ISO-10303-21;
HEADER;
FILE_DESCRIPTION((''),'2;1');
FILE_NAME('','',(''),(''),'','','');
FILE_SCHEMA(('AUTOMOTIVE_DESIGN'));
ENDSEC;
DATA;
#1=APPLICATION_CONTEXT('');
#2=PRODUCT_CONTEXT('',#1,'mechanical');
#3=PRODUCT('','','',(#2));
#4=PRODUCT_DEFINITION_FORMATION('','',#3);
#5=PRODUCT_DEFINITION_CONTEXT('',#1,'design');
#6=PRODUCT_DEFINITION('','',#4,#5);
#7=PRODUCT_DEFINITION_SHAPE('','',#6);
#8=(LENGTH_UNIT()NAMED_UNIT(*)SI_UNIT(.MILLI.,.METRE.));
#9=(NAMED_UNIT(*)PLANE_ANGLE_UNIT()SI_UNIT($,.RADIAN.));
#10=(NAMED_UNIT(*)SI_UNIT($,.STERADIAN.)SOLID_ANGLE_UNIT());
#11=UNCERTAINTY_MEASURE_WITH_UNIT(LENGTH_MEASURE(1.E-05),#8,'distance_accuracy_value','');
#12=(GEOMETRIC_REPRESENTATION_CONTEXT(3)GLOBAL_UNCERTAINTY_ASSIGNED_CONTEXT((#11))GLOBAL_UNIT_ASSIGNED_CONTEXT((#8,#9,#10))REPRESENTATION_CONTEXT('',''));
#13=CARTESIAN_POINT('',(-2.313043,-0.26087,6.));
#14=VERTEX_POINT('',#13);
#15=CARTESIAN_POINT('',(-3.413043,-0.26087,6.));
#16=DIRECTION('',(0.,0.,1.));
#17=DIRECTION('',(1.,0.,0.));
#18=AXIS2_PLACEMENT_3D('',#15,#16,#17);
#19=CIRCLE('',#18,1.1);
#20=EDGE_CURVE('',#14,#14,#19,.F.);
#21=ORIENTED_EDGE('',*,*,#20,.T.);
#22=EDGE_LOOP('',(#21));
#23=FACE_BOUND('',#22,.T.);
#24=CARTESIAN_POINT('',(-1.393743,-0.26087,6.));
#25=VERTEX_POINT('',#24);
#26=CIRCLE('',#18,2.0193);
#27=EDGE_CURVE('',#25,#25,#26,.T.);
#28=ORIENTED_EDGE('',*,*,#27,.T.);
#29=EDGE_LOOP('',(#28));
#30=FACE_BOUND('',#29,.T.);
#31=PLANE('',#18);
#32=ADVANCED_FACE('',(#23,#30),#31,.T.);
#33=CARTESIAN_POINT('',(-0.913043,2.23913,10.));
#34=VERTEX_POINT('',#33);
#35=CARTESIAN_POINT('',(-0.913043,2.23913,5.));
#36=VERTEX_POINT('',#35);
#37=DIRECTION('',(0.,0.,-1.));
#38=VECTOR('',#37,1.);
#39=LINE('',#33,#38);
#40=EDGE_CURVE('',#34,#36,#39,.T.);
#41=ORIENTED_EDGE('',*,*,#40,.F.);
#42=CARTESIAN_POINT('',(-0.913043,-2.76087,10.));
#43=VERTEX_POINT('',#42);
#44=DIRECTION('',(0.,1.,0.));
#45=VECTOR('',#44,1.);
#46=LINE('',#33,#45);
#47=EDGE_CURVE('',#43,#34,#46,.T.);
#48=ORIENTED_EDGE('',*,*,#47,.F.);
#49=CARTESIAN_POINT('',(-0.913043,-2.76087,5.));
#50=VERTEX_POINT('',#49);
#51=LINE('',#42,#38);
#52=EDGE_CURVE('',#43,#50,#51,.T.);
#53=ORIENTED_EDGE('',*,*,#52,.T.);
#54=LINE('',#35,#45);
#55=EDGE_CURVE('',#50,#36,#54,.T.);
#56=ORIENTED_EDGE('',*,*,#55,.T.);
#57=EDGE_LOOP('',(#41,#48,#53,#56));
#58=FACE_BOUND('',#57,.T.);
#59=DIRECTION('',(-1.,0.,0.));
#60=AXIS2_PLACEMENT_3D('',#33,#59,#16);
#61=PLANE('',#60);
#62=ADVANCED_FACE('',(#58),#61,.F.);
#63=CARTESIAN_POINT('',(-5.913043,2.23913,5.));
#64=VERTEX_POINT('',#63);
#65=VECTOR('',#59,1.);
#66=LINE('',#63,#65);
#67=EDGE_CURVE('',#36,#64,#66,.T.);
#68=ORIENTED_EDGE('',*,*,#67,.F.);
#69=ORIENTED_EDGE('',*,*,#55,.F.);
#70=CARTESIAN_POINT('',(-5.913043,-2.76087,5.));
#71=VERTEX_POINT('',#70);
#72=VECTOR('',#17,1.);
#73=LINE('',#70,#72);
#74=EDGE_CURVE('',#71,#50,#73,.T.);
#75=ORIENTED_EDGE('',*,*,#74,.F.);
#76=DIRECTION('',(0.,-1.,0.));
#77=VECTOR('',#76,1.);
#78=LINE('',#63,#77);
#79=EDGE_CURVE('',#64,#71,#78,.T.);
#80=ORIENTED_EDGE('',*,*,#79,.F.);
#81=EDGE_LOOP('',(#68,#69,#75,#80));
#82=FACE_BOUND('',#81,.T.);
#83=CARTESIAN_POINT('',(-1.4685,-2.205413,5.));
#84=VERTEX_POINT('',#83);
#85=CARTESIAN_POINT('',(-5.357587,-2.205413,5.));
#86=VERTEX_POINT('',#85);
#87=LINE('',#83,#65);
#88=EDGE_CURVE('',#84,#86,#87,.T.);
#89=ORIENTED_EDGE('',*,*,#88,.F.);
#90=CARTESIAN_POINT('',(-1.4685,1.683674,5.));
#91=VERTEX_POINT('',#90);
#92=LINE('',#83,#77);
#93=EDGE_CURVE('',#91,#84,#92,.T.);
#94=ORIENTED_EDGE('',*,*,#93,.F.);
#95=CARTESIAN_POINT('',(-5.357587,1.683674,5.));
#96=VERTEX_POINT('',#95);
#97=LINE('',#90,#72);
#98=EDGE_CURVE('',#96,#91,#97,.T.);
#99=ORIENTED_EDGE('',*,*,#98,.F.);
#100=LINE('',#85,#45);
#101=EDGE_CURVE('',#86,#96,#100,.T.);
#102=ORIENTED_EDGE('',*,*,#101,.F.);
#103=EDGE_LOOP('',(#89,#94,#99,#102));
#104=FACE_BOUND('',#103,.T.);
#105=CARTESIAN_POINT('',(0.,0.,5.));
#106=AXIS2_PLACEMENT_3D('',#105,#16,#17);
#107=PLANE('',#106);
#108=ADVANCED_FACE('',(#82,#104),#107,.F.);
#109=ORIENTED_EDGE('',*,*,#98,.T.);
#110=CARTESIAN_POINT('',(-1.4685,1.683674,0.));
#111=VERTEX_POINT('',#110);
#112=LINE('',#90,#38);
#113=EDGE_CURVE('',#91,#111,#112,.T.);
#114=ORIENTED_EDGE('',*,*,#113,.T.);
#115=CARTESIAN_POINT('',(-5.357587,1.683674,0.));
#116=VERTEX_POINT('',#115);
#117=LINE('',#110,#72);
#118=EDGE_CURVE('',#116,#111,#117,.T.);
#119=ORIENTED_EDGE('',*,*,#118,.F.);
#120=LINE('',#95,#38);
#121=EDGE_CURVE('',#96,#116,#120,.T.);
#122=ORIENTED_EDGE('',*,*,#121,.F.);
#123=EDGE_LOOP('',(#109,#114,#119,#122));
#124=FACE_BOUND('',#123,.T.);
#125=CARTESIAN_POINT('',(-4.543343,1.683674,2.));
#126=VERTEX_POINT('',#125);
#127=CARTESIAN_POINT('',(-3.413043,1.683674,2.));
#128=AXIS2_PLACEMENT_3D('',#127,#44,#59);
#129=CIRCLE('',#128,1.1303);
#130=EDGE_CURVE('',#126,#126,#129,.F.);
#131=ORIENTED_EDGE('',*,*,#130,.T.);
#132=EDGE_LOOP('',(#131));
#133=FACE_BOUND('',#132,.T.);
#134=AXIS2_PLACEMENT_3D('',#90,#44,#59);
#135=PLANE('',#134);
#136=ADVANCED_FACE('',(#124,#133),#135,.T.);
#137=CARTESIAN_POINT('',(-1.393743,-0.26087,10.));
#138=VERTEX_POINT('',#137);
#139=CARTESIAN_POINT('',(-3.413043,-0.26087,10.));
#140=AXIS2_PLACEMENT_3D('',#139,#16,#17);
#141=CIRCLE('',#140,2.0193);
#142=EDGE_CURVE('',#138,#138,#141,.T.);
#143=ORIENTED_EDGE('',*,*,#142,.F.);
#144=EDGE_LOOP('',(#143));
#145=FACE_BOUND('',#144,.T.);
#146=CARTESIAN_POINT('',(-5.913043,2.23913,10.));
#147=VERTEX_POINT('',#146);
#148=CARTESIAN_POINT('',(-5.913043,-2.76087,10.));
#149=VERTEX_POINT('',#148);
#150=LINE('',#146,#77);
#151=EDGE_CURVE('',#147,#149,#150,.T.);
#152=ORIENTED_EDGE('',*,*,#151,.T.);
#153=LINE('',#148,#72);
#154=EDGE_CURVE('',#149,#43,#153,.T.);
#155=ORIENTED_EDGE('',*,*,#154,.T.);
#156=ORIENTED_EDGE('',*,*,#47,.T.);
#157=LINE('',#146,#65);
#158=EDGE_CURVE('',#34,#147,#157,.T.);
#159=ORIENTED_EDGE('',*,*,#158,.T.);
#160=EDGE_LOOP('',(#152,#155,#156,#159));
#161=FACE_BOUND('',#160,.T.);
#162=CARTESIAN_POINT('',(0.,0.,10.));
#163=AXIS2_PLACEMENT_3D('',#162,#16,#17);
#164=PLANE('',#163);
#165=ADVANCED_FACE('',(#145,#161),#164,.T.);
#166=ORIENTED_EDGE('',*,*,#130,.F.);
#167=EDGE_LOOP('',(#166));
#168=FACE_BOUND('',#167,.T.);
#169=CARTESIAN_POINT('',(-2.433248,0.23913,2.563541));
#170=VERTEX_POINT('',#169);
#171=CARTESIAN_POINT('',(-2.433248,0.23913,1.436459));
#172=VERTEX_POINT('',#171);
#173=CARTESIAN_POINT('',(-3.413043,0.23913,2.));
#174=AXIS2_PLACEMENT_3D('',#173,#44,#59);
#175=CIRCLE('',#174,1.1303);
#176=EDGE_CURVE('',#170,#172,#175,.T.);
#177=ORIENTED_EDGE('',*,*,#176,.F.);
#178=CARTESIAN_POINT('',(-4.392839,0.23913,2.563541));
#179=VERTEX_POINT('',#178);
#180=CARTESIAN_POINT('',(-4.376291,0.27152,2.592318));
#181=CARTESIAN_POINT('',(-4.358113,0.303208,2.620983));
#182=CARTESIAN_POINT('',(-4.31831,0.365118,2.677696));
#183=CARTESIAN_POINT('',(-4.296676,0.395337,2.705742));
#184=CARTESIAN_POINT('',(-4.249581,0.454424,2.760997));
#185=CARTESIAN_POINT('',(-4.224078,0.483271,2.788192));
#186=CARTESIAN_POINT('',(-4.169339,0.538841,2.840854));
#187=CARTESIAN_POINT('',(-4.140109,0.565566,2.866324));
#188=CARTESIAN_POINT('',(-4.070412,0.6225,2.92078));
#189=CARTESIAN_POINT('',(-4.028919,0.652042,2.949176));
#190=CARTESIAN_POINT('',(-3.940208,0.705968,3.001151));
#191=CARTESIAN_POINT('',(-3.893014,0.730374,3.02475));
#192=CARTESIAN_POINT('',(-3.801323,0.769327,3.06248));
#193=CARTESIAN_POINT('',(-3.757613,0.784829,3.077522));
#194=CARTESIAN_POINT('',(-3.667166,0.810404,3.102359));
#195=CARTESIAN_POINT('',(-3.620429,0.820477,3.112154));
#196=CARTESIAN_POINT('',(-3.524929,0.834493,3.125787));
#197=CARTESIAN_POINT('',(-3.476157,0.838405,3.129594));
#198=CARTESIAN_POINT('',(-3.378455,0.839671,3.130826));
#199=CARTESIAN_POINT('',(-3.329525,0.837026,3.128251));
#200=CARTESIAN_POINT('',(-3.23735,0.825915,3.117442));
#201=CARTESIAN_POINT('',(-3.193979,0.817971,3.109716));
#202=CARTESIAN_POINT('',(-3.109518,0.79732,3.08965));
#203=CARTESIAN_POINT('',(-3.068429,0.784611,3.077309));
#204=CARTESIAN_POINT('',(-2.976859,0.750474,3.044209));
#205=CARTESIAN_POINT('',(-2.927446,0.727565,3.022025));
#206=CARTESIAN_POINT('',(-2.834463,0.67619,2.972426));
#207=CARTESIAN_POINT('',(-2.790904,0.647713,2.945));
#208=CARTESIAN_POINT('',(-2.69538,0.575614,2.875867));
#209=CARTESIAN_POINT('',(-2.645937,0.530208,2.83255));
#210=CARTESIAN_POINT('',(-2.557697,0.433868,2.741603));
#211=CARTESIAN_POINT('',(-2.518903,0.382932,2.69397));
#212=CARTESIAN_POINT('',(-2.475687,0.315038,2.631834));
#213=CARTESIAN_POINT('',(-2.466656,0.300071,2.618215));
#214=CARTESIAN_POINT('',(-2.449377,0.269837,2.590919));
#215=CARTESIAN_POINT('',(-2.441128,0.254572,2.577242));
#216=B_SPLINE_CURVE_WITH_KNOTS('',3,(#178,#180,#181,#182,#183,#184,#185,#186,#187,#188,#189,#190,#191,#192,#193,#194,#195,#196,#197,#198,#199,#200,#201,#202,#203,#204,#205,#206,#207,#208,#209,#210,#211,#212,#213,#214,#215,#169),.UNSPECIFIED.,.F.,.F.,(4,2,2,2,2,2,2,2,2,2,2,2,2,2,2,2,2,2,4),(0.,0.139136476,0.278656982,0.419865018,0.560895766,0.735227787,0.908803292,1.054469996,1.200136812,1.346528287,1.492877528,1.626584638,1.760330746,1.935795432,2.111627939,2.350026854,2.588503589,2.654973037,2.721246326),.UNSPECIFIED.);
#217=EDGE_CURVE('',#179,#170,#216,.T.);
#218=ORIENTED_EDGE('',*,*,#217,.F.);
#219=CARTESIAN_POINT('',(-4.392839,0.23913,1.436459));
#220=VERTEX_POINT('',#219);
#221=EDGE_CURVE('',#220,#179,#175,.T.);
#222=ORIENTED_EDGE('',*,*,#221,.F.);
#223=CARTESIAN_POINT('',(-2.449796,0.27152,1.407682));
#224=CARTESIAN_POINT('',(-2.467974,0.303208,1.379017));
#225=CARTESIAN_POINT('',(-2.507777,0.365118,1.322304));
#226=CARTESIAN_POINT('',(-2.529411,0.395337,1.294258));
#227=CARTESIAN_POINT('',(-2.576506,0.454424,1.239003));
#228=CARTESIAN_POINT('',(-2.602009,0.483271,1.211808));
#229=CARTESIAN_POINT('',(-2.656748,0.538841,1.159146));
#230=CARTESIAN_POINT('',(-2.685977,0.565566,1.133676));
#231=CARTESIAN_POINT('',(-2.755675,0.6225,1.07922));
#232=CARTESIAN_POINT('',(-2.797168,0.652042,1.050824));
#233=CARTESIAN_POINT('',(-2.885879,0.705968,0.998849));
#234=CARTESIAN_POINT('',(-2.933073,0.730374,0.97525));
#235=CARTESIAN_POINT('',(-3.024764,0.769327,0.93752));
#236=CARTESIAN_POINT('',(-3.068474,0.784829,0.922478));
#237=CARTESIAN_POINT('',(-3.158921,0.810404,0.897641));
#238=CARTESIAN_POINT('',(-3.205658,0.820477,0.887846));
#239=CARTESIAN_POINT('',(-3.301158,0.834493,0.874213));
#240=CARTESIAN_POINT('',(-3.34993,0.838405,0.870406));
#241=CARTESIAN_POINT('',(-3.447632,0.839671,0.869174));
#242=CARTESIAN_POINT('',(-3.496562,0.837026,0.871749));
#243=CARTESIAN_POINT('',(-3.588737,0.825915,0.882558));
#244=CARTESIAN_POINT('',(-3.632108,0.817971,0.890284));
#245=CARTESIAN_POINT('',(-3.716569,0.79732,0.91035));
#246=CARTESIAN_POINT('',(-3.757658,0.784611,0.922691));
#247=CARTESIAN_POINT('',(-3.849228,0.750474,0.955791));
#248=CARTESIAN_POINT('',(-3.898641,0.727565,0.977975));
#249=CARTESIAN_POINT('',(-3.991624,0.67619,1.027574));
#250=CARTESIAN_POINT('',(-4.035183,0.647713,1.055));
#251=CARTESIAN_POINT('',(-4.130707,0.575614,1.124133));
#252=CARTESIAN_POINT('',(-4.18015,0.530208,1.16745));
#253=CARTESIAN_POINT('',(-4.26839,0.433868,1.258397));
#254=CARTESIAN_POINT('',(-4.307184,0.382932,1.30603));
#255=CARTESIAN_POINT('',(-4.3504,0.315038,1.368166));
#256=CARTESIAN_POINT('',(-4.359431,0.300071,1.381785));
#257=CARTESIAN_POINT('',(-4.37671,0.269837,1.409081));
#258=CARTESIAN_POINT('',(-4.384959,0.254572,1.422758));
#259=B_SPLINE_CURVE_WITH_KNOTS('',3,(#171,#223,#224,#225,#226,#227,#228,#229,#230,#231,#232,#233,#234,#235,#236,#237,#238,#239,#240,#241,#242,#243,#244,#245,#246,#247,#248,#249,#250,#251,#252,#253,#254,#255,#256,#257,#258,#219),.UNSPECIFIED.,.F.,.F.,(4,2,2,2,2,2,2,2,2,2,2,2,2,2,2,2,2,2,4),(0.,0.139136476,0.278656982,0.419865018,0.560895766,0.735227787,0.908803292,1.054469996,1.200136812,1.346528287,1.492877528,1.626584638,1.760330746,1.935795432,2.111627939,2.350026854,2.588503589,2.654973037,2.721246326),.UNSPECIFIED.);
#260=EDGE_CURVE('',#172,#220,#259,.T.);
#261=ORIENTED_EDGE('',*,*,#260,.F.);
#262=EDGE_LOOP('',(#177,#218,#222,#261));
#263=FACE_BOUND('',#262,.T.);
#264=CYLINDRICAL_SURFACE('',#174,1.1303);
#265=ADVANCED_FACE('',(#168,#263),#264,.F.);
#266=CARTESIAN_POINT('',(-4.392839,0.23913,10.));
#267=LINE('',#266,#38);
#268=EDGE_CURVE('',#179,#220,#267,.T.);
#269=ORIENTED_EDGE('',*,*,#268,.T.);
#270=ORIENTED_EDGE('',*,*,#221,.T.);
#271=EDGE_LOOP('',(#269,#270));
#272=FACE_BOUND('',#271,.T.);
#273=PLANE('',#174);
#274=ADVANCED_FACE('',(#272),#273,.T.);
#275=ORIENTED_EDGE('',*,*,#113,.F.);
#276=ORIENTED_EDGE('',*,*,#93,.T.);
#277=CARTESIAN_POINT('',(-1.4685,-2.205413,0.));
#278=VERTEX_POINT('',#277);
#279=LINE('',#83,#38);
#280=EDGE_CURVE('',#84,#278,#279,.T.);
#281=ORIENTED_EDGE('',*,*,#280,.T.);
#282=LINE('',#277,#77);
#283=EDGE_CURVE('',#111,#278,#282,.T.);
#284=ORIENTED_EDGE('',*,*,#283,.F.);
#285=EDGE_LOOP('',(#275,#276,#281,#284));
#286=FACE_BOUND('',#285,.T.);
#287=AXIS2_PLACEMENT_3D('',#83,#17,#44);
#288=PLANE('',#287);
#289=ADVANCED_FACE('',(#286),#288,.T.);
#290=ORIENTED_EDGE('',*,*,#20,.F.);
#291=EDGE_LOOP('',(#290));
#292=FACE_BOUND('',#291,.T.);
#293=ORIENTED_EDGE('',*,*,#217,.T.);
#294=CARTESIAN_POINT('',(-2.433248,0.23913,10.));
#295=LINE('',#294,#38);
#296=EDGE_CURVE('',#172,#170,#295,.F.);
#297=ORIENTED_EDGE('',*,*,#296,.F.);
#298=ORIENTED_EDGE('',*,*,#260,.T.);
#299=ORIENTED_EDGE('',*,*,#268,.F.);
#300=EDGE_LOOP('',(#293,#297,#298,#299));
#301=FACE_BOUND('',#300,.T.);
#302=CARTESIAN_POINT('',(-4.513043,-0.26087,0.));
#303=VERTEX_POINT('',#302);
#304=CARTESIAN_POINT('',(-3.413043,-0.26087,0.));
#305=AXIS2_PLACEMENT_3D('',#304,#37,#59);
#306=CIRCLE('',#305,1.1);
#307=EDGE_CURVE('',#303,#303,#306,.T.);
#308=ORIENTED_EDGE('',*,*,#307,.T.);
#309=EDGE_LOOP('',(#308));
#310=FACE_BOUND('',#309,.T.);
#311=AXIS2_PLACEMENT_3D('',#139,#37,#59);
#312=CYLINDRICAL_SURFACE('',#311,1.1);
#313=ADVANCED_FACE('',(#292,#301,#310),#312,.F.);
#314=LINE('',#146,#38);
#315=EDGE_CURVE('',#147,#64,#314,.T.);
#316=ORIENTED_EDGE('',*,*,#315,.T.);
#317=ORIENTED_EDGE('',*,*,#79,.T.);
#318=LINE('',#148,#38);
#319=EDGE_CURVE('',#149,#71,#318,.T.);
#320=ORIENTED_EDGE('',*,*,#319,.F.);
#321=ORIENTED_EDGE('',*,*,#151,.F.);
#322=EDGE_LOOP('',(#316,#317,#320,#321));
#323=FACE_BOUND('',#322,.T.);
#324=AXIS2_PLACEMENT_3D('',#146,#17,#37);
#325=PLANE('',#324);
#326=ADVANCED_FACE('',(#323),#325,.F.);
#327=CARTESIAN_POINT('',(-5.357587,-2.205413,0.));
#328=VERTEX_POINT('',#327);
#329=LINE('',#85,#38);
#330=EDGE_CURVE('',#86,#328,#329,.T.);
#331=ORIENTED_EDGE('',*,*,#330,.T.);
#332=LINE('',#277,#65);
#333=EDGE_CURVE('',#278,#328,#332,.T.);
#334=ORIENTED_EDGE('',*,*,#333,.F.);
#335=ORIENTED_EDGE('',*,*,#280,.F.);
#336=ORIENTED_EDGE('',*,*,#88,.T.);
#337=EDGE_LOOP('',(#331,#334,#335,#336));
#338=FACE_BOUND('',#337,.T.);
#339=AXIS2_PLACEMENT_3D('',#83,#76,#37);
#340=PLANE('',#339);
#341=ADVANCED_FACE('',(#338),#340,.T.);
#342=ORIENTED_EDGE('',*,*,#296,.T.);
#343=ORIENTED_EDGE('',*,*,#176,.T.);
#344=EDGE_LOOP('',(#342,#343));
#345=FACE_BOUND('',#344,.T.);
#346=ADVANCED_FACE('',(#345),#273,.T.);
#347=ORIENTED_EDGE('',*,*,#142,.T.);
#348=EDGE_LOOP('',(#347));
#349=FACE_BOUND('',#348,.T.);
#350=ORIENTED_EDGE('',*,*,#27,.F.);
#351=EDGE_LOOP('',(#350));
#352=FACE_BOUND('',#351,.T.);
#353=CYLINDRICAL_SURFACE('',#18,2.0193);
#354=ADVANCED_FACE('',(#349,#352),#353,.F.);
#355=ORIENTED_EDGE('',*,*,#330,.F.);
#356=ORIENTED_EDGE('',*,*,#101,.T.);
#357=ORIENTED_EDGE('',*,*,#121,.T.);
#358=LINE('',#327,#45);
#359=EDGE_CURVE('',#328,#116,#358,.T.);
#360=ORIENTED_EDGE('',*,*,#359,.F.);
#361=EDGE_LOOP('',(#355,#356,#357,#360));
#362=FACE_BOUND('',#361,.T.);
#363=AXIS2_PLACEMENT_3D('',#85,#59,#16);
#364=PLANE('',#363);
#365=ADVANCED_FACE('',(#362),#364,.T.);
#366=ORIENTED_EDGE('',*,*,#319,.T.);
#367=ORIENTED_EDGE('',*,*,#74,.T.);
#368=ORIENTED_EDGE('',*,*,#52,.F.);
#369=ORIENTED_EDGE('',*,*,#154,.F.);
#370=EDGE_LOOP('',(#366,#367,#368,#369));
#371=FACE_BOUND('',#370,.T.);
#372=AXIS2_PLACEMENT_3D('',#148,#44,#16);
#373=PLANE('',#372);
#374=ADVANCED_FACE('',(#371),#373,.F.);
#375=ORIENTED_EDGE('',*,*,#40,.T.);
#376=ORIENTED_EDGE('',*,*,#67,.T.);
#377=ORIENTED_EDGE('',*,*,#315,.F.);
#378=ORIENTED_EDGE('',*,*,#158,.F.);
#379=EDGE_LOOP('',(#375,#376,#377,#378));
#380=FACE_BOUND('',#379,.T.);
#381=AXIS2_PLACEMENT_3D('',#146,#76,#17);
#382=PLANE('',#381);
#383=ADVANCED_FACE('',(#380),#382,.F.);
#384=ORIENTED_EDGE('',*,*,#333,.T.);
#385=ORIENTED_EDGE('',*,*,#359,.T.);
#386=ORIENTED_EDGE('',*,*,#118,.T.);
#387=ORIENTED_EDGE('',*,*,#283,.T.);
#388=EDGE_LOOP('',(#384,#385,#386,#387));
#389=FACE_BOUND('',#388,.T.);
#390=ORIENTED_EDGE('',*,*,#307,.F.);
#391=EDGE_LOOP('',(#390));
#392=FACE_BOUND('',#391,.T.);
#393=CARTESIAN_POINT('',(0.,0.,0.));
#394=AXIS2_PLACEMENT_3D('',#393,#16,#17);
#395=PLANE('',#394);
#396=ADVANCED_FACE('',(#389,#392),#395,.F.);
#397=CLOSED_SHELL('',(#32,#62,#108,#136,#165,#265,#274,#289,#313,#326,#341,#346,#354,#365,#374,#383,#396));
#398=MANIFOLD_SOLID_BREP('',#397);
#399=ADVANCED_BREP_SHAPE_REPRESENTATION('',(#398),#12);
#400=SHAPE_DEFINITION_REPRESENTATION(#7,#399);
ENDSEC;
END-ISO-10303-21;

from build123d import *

# Parameters (mm, degrees)
SKETCH1_W                     = 5
SKETCH1_H                     = 5
BOSS_EXTRUDE1_DEPTH           = 10
HOLE_FOR_TUBING_R             = 1.1
CUT_EXTRUDE1_DEPTH            = 12.94095825
F_10_32_HOLE_FOR_LUER_SCREW_R = 2.0193
CUT_EXTRUDE2_DEPTH            = 4
F_4_40_SET_SCREW_HOLE_R       = 1.1303
CUT_EXTRUDE3_DEPTH            = 2
SKETCH2_W                     = 7.037684522
SKETCH2_H                     = 8.186757887
SKETCH2_W_2                   = 3.889087297
SKETCH2_H_2                   = 3.889087296
CUT_EXTRUDE4_DEPTH            = 5


with BuildPart() as part:
    # Sketch1 → Boss-Extrude1 (new body)
    with BuildSketch(Plane.XY):
        with Locations((-3.413043478, -0.260869565)):
            Rectangle(SKETCH1_W, SKETCH1_H)
    extrude(amount=BOSS_EXTRUDE1_DEPTH)

    # hole for tubing → Cut-Extrude1 (cut, through all)
    with BuildSketch(Plane(origin=(0, 0, 0), x_dir=(-1, 0, 0), z_dir=(0, 0, -1))):
        with Locations((3.413043478, -0.260869565)):
            Circle(HOLE_FOR_TUBING_R)
    extrude(amount=-CUT_EXTRUDE1_DEPTH, mode=Mode.SUBTRACT)

    # 10-32 hole for luer screw → Cut-Extrude2 (cut)
    with BuildSketch(Plane.XY.offset(10)):
        with Locations((-3.413043478, -0.260869565)):
            Circle(F_10_32_HOLE_FOR_LUER_SCREW_R)
    extrude(amount=-CUT_EXTRUDE2_DEPTH, mode=Mode.SUBTRACT)

    # 4-40 set screw hole → Cut-Extrude3 (cut)
    with BuildSketch(Plane(origin=(0, 2.239130435, 0), x_dir=(1, 0, 0), z_dir=(0, 1, 0))):
        with Locations(Location((-3.413043478, -2, 0), (0, 0, 180))):
            Circle(F_4_40_SET_SCREW_HOLE_R)
    extrude(amount=-CUT_EXTRUDE3_DEPTH, mode=Mode.SUBTRACT)

    # Sketch2 → Cut-Extrude4 (cut)
    with BuildSketch(Plane(origin=(0, 0, 0), x_dir=(-1, 0, 0), z_dir=(0, 0, -1))):
        with Locations((3.518842261, 0.133851948)):
            Rectangle(SKETCH2_W, SKETCH2_H)
        with Locations((3.413043479, -0.260869565)):
            Rectangle(SKETCH2_W_2, SKETCH2_H_2, mode=Mode.SUBTRACT)
    extrude(amount=-CUT_EXTRUDE4_DEPTH, mode=Mode.SUBTRACT)


solid = part.part
